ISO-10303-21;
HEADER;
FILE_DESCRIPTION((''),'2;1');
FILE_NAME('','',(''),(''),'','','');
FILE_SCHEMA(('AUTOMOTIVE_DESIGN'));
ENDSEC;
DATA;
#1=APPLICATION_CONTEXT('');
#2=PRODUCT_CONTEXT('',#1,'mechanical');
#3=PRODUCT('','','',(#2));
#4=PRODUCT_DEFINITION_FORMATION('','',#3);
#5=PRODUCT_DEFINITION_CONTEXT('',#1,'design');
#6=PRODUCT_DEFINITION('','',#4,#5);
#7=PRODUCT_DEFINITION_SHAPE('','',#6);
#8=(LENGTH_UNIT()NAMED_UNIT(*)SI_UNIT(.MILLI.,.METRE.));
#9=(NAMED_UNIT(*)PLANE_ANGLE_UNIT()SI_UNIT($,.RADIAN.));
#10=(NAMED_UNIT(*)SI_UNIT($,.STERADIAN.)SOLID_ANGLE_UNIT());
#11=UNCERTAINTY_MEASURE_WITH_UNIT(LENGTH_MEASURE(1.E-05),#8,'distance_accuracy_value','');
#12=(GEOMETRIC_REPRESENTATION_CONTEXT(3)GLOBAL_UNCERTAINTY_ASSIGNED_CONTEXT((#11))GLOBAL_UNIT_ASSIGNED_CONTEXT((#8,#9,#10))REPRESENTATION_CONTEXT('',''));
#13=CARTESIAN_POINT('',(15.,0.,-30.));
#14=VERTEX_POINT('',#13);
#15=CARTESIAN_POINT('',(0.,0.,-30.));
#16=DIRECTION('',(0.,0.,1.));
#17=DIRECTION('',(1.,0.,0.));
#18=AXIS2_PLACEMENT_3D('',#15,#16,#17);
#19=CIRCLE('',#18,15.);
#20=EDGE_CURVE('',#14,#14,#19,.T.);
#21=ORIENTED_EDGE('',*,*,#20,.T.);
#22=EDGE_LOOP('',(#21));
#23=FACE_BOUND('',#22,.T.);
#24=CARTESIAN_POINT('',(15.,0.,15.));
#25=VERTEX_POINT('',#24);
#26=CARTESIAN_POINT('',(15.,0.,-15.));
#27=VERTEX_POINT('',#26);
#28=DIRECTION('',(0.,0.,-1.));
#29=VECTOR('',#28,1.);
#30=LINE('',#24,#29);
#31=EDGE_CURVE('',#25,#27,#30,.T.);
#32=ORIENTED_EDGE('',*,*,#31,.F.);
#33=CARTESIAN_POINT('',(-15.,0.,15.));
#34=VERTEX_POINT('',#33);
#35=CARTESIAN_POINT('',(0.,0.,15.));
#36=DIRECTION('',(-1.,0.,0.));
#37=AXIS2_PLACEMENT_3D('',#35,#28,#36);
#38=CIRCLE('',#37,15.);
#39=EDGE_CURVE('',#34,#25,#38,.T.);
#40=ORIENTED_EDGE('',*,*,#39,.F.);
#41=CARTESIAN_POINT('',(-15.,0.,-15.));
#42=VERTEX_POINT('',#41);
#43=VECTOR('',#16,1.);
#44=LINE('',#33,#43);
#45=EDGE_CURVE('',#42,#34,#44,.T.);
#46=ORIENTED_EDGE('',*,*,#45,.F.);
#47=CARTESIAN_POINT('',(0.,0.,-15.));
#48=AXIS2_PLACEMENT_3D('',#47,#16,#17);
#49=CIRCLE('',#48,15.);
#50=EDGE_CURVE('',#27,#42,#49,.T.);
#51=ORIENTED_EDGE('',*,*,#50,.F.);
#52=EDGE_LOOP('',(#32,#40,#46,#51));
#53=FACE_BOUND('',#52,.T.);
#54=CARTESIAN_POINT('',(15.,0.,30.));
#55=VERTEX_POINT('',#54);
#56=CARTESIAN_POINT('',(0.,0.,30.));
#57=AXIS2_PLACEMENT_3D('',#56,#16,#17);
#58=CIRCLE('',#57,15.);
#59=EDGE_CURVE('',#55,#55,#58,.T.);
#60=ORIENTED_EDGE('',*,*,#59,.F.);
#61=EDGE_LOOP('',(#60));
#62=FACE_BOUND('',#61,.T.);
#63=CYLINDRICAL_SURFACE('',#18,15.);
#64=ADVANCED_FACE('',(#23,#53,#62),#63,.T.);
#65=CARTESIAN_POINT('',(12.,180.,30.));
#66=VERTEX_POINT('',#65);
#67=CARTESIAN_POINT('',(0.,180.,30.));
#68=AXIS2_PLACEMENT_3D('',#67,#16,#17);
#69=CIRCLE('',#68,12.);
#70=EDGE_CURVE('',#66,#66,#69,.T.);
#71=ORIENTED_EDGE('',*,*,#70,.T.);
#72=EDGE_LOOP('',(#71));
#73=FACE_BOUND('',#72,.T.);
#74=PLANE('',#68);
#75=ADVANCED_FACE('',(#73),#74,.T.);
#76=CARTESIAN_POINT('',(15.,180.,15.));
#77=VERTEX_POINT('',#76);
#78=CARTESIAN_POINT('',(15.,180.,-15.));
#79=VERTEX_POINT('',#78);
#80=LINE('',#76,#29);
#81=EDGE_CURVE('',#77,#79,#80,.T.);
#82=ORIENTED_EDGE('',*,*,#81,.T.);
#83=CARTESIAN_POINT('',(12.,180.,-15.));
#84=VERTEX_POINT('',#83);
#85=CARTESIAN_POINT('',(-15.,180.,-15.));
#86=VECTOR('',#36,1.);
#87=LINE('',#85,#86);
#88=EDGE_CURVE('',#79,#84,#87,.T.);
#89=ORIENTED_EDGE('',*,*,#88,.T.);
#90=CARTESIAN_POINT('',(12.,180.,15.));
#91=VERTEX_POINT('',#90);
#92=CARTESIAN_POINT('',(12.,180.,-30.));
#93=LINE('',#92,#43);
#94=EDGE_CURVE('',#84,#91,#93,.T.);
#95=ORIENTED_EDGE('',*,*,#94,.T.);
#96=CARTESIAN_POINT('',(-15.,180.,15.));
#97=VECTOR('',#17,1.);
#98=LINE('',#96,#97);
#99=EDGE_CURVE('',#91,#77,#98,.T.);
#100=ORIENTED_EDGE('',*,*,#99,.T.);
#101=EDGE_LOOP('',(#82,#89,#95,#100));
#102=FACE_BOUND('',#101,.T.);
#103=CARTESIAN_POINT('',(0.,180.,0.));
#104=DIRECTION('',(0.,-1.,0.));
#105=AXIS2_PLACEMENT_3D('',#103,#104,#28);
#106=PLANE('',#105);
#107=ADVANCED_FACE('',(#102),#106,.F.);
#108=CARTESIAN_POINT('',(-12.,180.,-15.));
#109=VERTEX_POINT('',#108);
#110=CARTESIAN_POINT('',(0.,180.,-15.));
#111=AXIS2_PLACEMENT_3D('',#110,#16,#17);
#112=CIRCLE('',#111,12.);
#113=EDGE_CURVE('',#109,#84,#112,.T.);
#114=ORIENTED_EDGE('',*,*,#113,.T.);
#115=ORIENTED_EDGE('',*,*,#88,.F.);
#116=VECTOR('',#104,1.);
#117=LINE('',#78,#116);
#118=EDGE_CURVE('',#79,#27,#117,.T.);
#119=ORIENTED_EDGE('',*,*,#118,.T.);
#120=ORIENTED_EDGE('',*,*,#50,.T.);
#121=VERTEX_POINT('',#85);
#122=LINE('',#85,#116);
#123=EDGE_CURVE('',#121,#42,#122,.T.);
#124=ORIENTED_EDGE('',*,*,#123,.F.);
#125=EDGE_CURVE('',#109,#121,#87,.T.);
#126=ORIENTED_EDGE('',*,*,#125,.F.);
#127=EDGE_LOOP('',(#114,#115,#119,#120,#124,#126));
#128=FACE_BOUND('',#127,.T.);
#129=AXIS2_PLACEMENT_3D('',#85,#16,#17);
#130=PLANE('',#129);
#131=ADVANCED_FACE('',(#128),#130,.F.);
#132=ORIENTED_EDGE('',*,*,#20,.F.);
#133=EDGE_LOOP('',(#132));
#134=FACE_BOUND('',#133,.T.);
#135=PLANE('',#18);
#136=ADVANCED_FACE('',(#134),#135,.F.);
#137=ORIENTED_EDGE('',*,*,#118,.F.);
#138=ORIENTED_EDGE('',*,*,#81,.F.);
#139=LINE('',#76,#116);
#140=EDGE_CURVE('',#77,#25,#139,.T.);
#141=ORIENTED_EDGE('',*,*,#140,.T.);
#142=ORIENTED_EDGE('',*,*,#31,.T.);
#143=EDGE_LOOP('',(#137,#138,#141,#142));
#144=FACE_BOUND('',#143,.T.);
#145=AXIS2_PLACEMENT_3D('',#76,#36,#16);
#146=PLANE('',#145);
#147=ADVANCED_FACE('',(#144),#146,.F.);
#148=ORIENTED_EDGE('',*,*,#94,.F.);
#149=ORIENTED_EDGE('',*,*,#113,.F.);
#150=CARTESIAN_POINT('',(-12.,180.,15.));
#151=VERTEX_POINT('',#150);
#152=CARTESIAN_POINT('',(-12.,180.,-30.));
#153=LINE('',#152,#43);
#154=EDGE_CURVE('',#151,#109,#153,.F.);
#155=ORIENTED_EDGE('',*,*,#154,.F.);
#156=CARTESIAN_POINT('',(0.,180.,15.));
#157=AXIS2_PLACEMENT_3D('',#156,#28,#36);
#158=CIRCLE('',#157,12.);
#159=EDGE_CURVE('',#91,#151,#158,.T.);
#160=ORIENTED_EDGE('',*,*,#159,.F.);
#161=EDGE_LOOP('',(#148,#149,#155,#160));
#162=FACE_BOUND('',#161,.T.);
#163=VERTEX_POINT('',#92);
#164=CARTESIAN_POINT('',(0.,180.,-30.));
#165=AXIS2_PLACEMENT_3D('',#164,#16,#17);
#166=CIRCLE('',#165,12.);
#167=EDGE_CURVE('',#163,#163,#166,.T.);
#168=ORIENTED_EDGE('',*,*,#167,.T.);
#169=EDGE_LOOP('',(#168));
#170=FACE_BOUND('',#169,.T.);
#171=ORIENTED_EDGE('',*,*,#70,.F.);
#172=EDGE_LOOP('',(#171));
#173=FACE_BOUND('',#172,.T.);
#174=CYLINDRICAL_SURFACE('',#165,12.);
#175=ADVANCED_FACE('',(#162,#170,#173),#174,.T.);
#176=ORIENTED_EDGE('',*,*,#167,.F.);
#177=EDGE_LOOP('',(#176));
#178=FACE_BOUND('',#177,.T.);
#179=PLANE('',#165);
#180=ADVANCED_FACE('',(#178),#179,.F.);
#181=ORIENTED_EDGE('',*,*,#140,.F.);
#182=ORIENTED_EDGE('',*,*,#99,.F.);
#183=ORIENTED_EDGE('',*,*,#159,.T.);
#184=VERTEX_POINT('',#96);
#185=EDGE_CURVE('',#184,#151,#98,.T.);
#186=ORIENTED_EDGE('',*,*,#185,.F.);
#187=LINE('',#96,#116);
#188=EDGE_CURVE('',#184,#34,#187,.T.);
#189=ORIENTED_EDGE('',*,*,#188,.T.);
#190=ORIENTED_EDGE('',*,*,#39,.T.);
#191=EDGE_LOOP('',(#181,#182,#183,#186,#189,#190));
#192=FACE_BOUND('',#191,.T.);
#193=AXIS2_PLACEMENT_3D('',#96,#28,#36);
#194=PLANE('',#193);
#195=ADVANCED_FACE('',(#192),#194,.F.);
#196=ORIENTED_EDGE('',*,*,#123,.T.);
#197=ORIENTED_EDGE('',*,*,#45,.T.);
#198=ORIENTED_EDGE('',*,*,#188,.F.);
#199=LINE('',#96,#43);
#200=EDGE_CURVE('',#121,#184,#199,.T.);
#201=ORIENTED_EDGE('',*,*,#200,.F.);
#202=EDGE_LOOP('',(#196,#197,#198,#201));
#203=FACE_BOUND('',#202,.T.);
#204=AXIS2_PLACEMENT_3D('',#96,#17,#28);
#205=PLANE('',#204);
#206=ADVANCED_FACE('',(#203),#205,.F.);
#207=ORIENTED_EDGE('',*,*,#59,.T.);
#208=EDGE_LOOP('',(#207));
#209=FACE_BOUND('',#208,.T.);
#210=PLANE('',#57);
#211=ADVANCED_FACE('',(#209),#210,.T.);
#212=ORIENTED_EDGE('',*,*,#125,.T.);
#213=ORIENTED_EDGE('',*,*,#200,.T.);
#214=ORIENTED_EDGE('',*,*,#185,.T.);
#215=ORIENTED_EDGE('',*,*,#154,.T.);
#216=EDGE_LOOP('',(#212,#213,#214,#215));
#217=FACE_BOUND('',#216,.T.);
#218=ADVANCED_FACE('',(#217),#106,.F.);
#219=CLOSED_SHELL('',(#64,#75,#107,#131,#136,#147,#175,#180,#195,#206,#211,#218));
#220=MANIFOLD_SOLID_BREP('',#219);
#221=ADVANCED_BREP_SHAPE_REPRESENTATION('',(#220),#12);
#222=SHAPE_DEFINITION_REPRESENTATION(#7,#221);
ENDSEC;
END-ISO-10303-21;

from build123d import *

# Parameters (mm, degrees)
SKETCH1_W                = 30
SKETCH1_H                = 30
BOSS_EXTRUDE1_DEPTH      = 180
BOSS_EXTRUDE2_DEPTH      = 30
BOSS_EXTRUDE2_DEPTH_BACK = 30
SKETCH2_R                = 15
SKETCH2_R_2              = 12


with BuildPart() as part:
    # Sketch1 → Boss-Extrude1 (new body)
    with BuildSketch(Plane(origin=(0, 0, 0), x_dir=(1, 0, 0), z_dir=(0, 1, 0))):
        Rectangle(SKETCH1_W, SKETCH1_H)
    extrude(amount=BOSS_EXTRUDE1_DEPTH)

    # Sketch2 → Boss-Extrude2 (add, two sides: drawn at the far end of the back side and taken through both)
    with BuildSketch(Plane.XY.offset(-BOSS_EXTRUDE2_DEPTH_BACK)):
        Circle(SKETCH2_R)
        with Locations((0, 180)):
            Circle(SKETCH2_R_2)
    extrude(amount=BOSS_EXTRUDE2_DEPTH + BOSS_EXTRUDE2_DEPTH_BACK)


solid = part.part
